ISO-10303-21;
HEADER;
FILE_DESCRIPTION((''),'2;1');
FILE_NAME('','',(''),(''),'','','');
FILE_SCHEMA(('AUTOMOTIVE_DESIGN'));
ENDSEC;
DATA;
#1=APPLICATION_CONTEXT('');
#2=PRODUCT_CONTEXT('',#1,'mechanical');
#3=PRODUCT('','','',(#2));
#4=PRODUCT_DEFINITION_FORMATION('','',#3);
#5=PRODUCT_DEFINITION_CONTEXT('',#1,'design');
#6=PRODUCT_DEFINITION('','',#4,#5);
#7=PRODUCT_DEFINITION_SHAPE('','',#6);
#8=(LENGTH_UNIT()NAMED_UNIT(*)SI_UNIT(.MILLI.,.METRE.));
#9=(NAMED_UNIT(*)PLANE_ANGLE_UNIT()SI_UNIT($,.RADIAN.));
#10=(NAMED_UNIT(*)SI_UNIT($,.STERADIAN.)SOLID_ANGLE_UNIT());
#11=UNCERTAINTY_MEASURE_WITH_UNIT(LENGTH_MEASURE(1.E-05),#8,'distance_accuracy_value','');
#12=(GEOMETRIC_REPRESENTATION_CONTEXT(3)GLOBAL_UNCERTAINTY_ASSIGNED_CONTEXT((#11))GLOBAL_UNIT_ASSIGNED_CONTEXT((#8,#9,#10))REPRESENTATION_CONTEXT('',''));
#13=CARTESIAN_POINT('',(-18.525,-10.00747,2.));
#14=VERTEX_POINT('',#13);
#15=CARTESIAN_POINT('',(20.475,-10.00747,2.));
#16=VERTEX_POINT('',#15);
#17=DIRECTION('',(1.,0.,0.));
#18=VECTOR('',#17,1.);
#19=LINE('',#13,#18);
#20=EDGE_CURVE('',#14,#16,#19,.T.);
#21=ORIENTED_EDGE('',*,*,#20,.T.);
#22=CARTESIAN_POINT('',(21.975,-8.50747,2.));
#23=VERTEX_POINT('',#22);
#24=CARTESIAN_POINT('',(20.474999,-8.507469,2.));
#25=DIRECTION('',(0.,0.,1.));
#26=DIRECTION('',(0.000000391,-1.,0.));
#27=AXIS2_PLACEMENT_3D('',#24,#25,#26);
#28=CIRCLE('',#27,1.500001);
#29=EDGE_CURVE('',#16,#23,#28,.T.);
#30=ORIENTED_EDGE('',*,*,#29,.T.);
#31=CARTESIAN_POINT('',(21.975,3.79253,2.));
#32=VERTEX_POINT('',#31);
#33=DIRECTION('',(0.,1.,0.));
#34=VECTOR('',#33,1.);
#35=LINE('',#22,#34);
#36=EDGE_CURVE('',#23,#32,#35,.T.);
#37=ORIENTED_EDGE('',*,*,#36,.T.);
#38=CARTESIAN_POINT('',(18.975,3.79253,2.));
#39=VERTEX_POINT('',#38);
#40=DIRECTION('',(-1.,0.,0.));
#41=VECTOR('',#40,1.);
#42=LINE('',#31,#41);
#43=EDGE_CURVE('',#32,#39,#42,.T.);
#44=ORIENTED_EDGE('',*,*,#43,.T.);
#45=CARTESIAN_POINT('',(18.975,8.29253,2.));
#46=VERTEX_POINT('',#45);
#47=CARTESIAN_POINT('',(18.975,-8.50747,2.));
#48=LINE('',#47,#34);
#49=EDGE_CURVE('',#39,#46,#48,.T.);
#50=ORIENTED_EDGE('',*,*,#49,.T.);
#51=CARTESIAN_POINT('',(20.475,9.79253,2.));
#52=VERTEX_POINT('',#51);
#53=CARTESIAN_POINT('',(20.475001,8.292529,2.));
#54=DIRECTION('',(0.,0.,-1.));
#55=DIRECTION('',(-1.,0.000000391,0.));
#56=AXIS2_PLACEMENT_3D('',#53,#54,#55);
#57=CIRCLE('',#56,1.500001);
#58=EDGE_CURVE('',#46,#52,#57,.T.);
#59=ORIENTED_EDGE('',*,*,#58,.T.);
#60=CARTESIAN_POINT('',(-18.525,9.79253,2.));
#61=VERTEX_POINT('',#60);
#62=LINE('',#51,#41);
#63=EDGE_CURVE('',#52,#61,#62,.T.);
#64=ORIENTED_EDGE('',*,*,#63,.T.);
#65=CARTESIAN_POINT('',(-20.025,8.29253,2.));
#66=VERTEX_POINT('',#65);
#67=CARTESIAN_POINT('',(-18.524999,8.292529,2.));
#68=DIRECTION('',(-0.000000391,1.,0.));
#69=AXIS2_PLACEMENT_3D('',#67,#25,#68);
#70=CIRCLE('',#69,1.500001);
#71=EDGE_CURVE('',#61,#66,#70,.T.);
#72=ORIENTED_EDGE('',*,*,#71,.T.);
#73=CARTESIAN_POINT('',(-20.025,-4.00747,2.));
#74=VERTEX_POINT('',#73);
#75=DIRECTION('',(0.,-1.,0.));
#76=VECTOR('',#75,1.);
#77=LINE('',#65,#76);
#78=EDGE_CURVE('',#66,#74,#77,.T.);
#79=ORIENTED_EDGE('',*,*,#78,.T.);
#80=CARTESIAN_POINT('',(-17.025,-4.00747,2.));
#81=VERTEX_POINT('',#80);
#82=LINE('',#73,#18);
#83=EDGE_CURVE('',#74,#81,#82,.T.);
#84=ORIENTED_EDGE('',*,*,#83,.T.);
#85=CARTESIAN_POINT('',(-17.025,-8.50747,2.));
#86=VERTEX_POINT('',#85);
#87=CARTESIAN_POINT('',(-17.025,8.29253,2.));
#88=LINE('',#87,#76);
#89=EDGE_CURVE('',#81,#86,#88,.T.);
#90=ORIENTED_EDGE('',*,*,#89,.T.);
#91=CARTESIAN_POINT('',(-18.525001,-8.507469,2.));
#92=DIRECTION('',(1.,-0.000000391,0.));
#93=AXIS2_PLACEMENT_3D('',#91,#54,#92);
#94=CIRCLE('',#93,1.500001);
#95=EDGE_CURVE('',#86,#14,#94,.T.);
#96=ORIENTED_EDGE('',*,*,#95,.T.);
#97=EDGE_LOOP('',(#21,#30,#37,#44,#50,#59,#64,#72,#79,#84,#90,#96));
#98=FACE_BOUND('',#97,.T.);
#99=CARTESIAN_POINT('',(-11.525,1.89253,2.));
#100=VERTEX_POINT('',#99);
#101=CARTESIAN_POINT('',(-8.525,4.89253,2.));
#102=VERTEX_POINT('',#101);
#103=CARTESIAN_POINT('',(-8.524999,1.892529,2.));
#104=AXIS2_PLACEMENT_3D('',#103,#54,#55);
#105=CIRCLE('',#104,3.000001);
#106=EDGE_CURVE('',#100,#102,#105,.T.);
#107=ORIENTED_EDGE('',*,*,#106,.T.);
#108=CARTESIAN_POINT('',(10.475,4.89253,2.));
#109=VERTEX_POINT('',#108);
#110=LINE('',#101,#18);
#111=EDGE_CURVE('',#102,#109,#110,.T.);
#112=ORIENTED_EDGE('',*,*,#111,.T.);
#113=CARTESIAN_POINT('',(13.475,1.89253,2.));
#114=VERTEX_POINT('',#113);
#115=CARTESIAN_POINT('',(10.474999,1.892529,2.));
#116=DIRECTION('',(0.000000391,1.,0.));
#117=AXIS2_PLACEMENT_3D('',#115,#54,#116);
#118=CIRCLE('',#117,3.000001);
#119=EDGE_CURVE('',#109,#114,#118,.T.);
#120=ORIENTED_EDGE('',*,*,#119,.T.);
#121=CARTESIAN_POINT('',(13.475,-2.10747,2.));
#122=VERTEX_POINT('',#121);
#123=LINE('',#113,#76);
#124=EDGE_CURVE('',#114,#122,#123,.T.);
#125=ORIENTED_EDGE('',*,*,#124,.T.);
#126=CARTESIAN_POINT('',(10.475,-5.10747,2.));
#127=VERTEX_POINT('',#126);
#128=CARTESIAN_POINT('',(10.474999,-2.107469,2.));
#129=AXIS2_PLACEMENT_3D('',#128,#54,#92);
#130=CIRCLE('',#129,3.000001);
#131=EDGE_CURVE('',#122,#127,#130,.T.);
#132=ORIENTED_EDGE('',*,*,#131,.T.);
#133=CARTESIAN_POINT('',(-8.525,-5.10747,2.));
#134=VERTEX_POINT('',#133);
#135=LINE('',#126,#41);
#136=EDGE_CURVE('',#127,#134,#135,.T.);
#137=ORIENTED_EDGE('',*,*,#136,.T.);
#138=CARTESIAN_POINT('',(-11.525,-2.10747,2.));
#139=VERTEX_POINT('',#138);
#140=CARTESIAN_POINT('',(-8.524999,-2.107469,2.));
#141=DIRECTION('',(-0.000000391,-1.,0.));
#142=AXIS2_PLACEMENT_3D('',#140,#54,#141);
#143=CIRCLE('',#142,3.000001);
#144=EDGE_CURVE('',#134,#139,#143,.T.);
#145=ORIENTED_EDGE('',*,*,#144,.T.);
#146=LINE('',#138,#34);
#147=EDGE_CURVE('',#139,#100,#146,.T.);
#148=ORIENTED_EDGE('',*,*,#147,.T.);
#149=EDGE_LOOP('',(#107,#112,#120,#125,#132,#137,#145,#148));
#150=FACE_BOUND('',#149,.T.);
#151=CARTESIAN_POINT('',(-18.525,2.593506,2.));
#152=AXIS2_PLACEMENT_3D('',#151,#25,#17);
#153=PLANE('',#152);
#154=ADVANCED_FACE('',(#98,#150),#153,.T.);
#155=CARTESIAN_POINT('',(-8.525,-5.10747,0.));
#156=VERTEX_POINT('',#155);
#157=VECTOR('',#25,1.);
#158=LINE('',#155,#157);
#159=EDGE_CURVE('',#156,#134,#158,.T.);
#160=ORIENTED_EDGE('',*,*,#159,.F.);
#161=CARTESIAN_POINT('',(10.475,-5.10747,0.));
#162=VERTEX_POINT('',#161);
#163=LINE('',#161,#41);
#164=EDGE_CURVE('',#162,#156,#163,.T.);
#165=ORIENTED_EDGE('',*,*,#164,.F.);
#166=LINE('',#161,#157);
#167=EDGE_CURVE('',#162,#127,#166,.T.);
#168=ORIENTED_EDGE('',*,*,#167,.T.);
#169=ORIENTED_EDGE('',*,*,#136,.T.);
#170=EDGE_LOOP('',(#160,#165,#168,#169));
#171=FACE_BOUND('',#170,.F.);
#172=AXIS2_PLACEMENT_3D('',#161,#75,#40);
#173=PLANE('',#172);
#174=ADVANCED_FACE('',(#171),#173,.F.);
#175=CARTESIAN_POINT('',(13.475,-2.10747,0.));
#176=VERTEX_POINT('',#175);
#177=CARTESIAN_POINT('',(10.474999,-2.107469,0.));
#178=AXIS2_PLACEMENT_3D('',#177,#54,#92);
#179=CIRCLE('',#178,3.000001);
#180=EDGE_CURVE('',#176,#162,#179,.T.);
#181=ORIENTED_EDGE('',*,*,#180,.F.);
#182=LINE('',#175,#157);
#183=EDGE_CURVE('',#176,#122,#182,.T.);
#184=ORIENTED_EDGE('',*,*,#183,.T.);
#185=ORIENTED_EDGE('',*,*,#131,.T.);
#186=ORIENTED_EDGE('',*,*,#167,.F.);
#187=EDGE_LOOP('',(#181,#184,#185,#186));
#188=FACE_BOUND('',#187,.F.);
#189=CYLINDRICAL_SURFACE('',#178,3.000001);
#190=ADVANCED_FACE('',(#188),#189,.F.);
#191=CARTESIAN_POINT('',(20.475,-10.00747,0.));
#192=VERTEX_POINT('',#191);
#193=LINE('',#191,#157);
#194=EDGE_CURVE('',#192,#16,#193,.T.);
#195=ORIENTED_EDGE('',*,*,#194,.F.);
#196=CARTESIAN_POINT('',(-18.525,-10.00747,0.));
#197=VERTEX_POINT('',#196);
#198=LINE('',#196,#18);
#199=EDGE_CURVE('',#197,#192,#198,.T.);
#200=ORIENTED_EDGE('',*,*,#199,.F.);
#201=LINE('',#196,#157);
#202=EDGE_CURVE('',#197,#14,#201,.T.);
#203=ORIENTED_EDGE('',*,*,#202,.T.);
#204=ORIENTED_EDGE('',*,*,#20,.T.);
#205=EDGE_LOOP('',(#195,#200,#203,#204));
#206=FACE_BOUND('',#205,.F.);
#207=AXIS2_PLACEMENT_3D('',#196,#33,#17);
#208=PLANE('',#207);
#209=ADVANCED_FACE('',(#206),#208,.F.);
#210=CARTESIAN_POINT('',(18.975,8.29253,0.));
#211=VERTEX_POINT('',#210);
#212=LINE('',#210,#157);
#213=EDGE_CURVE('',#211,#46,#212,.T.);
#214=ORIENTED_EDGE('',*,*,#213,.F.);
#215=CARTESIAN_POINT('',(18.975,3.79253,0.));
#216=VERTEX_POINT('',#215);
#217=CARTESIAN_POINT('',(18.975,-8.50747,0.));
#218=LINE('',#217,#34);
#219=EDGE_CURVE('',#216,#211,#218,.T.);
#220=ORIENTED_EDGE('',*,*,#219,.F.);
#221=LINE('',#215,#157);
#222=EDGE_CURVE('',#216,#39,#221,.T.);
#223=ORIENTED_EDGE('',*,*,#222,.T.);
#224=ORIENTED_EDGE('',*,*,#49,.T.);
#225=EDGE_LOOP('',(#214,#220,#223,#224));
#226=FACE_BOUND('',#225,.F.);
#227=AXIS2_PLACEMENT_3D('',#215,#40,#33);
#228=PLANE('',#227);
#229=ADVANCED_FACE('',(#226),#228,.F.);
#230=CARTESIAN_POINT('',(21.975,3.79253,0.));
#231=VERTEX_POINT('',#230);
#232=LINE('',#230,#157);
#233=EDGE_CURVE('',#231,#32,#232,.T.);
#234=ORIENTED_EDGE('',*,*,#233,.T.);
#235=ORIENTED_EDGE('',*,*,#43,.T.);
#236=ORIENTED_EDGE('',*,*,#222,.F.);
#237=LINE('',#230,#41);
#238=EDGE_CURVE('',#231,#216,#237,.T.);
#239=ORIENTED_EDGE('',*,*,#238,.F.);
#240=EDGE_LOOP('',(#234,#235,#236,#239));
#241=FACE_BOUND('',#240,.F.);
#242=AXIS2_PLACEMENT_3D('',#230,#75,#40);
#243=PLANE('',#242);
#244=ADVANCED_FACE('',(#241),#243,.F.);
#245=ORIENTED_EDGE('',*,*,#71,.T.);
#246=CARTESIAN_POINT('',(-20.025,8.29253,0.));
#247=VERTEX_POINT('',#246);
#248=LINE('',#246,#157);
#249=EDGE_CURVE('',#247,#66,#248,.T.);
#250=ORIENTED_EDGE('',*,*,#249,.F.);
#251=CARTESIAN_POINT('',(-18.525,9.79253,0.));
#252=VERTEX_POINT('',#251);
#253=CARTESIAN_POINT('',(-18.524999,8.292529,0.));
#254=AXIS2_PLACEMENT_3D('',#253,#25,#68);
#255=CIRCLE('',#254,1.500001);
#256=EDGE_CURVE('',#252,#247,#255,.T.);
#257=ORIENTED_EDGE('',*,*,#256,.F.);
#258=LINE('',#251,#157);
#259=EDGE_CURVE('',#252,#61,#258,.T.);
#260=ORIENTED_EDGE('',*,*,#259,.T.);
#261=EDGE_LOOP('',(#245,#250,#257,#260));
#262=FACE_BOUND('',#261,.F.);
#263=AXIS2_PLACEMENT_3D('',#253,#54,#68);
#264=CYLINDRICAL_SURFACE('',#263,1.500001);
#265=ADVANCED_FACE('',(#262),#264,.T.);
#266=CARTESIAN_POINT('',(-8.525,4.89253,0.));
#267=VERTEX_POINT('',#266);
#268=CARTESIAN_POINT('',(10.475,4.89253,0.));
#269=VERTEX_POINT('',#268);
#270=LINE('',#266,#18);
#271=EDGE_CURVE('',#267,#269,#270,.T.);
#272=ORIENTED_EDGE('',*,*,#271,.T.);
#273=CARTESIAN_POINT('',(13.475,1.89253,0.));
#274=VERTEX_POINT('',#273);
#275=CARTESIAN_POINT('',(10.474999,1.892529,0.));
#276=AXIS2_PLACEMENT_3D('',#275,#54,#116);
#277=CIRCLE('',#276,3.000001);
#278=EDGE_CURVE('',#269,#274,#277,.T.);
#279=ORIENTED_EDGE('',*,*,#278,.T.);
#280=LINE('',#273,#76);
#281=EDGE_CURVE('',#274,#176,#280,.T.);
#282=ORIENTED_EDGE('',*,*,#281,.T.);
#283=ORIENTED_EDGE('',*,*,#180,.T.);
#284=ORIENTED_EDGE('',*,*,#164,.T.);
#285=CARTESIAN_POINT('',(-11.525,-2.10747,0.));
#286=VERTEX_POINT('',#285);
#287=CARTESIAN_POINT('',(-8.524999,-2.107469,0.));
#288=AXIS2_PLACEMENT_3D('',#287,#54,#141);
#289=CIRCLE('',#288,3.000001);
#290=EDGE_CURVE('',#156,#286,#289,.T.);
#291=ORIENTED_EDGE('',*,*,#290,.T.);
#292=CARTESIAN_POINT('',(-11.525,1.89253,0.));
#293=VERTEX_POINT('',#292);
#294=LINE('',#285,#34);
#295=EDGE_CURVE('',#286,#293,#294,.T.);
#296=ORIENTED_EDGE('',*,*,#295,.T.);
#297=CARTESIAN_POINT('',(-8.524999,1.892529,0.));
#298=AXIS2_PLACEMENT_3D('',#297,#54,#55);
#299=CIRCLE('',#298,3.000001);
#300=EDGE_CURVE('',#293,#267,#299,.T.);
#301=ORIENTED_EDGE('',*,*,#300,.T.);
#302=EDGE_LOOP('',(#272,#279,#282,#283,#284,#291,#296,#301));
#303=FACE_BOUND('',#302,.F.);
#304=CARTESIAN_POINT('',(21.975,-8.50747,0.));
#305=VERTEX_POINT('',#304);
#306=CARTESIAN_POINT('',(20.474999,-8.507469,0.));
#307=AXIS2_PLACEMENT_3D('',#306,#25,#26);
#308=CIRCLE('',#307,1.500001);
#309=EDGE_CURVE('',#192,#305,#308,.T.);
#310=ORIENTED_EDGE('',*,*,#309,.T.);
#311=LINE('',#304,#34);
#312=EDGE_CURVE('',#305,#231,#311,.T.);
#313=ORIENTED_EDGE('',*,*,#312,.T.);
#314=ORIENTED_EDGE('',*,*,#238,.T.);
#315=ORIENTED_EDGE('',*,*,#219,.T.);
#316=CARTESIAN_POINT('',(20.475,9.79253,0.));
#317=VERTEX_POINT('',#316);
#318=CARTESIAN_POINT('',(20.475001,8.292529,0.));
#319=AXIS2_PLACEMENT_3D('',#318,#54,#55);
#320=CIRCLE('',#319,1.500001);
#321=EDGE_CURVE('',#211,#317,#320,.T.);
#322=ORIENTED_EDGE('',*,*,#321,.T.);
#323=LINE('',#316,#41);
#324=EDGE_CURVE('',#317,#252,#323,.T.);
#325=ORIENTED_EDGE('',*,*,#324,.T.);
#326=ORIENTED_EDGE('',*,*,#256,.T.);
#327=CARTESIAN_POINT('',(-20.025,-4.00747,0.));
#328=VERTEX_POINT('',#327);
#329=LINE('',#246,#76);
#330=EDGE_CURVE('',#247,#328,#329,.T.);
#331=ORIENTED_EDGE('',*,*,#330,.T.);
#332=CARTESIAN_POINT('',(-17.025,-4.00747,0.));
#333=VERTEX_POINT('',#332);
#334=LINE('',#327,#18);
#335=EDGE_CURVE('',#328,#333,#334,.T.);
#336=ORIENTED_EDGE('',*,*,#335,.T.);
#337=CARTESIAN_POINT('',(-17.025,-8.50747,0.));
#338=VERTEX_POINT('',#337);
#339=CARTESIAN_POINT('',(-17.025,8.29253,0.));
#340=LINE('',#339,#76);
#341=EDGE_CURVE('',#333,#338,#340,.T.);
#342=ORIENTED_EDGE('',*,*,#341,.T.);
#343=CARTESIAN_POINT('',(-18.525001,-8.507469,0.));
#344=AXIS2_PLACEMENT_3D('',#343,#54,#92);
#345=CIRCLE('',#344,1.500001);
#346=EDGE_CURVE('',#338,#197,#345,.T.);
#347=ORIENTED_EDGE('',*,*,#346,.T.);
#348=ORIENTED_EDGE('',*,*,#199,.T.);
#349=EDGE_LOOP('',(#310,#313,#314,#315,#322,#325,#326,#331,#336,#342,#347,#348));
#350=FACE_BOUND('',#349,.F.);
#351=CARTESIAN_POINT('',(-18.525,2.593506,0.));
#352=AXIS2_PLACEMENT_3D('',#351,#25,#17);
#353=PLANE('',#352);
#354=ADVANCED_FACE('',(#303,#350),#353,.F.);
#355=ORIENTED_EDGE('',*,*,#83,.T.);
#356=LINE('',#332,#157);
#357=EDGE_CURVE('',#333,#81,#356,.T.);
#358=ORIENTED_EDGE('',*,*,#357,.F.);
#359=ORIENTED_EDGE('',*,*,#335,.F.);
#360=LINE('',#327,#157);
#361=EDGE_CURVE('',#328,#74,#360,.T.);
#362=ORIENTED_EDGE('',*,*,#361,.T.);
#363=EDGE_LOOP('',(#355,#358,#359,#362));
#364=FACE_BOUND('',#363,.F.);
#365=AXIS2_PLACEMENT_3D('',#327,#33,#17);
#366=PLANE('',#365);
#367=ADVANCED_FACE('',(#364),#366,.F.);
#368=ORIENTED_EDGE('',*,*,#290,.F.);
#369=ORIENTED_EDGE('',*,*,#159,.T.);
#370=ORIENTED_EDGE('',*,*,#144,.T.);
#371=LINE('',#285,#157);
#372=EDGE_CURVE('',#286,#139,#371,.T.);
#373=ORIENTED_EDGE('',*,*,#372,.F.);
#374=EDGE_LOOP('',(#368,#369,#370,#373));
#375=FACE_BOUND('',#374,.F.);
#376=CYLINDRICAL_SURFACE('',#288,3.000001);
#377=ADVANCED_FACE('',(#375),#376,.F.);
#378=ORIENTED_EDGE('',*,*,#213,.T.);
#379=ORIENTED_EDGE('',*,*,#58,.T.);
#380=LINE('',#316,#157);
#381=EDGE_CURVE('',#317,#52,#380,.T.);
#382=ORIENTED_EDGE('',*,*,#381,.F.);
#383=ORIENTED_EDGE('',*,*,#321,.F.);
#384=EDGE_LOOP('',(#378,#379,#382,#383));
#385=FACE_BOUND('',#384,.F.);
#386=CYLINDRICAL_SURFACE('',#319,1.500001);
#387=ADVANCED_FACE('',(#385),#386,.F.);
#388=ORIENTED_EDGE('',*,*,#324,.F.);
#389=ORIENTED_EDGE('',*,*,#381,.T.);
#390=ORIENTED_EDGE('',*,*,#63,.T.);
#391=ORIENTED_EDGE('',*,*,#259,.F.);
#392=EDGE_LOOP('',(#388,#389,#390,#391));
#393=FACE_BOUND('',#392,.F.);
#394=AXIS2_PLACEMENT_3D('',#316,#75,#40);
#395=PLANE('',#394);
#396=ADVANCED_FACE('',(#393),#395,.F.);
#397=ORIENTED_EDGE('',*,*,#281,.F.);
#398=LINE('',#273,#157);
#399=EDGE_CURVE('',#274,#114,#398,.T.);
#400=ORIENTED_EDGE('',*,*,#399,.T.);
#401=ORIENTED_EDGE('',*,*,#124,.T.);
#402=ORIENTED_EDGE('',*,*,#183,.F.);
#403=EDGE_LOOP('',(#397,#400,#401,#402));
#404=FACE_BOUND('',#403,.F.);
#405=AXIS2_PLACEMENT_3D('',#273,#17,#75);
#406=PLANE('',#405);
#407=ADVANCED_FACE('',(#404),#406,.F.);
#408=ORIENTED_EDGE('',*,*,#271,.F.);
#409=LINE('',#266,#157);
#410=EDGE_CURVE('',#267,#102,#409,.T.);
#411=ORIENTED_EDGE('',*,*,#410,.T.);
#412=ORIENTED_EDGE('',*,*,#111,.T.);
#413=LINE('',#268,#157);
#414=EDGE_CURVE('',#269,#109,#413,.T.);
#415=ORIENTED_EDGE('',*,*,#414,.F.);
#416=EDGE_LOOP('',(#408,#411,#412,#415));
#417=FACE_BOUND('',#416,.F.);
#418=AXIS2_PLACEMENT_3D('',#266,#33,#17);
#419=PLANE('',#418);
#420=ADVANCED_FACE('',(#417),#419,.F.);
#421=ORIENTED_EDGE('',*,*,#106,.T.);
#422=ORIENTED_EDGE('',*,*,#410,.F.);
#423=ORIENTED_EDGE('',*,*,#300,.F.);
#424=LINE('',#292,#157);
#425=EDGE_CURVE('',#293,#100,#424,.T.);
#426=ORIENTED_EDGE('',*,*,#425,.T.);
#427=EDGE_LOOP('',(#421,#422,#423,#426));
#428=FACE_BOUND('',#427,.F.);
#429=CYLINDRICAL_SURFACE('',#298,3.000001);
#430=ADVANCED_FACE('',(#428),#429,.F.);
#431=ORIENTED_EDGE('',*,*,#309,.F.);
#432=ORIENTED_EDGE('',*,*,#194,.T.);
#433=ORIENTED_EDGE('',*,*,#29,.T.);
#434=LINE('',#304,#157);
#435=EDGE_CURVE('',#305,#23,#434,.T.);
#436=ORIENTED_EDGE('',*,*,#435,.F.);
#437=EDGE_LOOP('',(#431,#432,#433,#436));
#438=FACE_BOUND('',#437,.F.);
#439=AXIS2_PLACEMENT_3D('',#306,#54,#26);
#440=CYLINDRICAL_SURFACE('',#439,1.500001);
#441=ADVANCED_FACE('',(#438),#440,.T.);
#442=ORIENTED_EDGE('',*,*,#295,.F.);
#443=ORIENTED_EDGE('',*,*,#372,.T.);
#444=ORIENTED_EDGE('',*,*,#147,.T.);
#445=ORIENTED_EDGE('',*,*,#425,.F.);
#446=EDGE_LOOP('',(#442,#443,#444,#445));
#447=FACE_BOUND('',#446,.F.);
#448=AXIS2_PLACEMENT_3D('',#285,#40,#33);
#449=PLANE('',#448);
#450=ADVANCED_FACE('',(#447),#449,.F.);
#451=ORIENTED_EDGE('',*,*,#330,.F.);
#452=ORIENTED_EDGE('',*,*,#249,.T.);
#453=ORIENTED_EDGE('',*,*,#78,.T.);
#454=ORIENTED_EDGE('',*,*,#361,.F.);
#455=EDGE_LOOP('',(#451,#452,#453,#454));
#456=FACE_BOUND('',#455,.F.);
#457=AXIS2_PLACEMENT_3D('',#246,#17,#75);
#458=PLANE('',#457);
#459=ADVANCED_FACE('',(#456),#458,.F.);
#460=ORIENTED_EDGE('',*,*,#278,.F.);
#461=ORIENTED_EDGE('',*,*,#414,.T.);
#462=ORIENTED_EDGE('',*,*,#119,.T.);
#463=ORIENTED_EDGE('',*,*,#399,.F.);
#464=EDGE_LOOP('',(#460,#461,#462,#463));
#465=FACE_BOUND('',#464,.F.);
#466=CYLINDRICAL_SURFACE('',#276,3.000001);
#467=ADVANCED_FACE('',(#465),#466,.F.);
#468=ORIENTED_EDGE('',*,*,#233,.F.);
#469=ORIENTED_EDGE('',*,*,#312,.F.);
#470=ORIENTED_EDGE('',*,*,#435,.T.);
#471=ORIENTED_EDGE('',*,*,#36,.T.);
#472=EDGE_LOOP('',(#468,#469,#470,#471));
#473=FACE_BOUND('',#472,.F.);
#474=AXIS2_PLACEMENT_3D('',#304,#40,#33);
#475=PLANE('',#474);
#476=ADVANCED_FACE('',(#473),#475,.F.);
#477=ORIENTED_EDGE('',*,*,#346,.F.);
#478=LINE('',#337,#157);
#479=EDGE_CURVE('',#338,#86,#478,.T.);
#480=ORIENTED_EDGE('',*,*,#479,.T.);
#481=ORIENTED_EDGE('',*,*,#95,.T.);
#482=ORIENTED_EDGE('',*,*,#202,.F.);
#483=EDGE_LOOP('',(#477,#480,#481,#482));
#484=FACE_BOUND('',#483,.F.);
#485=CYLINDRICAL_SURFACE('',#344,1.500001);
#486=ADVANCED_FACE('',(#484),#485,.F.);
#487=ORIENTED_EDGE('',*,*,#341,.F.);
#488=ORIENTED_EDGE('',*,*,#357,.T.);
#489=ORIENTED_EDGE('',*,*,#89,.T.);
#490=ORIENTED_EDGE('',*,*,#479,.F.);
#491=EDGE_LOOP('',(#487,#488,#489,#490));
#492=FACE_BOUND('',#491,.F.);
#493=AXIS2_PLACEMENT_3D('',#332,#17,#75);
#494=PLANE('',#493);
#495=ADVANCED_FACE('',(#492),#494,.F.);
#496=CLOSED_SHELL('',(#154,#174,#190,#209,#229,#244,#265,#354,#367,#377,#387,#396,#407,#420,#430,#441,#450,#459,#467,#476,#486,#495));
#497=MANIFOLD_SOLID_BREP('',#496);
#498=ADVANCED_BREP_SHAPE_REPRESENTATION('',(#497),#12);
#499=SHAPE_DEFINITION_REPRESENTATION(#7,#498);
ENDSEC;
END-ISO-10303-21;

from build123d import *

# Parameters (mm, degrees)
F1_DEPTH = 2


with BuildPart() as f1:
    # F0 (on Top) → F1 (new body)
    with BuildSketch(Plane.XY):
        with BuildLine():
            ThreePointArc((-18.525, 9.79253), (-19.58566, 9.35319), (-20.025, 8.29253))
            Line((-20.025, 8.29253), (-20.025, -4.00747))
            Line((-20.025, -4.00747), (-17.025, -4.00747))
            Line((-17.025, -4.00747), (-17.025, 8.29253))
            ThreePointArc((-17.025, 8.29253), (-17.46434, 9.35319), (-18.525, 9.79253))
        make_face()
        with BuildLine():
            Line((20.475, 9.79253), (-18.525, 9.79253))
            ThreePointArc((-18.525, 9.79253), (-17.46434, 9.35319), (-17.025, 8.29253))
            Line((-17.025, 8.29253), (-17.025, -4.00747))
            Line((-17.025, -4.00747), (-17.025, -8.50747))
            ThreePointArc((-17.025, -8.50747), (-17.46434, -9.56813), (-18.525, -10.00747))
            Line((-18.525, -10.00747), (20.475, -10.00747))
            ThreePointArc((20.475, -10.00747), (19.41434, -9.56813), (18.975, -8.50747))
            Line((18.975, -8.50747), (18.975, 3.79253))
            Line((18.975, 3.79253), (18.975, 8.29253))
            ThreePointArc((18.975, 8.29253), (19.41434, 9.35319), (20.475, 9.79253))
        make_face()
        with BuildLine():
            ThreePointArc((-11.525, 1.89253), (-10.64632, 4.01385), (-8.525, 4.89253))
            Line((-8.525, 4.89253), (10.475, 4.89253))
            ThreePointArc((10.475, 4.89253), (12.59632, 4.01385), (13.475, 1.89253))
            Line((13.475, 1.89253), (13.475, -2.10747))
            ThreePointArc((13.475, -2.10747), (12.59632, -4.22879), (10.475, -5.10747))
            Line((10.475, -5.10747), (-8.525, -5.10747))
            ThreePointArc((-8.525, -5.10747), (-10.64632, -4.22879), (-11.525, -2.10747))
            Line((-11.525, -2.10747), (-11.525, 1.89253))
        make_face(mode=Mode.SUBTRACT)
        with BuildLine():
            ThreePointArc((18.975, -8.50747), (19.41434, -9.56813), (20.475, -10.00747))
            ThreePointArc((20.475, -10.00747), (21.53566, -9.56813), (21.975, -8.50747))
            Line((21.975, -8.50747), (21.975, 3.79253))
            Line((21.975, 3.79253), (18.975, 3.79253))
            Line((18.975, 3.79253), (18.975, -8.50747))
        make_face()
    extrude(amount=F1_DEPTH)


solid = f1.part
